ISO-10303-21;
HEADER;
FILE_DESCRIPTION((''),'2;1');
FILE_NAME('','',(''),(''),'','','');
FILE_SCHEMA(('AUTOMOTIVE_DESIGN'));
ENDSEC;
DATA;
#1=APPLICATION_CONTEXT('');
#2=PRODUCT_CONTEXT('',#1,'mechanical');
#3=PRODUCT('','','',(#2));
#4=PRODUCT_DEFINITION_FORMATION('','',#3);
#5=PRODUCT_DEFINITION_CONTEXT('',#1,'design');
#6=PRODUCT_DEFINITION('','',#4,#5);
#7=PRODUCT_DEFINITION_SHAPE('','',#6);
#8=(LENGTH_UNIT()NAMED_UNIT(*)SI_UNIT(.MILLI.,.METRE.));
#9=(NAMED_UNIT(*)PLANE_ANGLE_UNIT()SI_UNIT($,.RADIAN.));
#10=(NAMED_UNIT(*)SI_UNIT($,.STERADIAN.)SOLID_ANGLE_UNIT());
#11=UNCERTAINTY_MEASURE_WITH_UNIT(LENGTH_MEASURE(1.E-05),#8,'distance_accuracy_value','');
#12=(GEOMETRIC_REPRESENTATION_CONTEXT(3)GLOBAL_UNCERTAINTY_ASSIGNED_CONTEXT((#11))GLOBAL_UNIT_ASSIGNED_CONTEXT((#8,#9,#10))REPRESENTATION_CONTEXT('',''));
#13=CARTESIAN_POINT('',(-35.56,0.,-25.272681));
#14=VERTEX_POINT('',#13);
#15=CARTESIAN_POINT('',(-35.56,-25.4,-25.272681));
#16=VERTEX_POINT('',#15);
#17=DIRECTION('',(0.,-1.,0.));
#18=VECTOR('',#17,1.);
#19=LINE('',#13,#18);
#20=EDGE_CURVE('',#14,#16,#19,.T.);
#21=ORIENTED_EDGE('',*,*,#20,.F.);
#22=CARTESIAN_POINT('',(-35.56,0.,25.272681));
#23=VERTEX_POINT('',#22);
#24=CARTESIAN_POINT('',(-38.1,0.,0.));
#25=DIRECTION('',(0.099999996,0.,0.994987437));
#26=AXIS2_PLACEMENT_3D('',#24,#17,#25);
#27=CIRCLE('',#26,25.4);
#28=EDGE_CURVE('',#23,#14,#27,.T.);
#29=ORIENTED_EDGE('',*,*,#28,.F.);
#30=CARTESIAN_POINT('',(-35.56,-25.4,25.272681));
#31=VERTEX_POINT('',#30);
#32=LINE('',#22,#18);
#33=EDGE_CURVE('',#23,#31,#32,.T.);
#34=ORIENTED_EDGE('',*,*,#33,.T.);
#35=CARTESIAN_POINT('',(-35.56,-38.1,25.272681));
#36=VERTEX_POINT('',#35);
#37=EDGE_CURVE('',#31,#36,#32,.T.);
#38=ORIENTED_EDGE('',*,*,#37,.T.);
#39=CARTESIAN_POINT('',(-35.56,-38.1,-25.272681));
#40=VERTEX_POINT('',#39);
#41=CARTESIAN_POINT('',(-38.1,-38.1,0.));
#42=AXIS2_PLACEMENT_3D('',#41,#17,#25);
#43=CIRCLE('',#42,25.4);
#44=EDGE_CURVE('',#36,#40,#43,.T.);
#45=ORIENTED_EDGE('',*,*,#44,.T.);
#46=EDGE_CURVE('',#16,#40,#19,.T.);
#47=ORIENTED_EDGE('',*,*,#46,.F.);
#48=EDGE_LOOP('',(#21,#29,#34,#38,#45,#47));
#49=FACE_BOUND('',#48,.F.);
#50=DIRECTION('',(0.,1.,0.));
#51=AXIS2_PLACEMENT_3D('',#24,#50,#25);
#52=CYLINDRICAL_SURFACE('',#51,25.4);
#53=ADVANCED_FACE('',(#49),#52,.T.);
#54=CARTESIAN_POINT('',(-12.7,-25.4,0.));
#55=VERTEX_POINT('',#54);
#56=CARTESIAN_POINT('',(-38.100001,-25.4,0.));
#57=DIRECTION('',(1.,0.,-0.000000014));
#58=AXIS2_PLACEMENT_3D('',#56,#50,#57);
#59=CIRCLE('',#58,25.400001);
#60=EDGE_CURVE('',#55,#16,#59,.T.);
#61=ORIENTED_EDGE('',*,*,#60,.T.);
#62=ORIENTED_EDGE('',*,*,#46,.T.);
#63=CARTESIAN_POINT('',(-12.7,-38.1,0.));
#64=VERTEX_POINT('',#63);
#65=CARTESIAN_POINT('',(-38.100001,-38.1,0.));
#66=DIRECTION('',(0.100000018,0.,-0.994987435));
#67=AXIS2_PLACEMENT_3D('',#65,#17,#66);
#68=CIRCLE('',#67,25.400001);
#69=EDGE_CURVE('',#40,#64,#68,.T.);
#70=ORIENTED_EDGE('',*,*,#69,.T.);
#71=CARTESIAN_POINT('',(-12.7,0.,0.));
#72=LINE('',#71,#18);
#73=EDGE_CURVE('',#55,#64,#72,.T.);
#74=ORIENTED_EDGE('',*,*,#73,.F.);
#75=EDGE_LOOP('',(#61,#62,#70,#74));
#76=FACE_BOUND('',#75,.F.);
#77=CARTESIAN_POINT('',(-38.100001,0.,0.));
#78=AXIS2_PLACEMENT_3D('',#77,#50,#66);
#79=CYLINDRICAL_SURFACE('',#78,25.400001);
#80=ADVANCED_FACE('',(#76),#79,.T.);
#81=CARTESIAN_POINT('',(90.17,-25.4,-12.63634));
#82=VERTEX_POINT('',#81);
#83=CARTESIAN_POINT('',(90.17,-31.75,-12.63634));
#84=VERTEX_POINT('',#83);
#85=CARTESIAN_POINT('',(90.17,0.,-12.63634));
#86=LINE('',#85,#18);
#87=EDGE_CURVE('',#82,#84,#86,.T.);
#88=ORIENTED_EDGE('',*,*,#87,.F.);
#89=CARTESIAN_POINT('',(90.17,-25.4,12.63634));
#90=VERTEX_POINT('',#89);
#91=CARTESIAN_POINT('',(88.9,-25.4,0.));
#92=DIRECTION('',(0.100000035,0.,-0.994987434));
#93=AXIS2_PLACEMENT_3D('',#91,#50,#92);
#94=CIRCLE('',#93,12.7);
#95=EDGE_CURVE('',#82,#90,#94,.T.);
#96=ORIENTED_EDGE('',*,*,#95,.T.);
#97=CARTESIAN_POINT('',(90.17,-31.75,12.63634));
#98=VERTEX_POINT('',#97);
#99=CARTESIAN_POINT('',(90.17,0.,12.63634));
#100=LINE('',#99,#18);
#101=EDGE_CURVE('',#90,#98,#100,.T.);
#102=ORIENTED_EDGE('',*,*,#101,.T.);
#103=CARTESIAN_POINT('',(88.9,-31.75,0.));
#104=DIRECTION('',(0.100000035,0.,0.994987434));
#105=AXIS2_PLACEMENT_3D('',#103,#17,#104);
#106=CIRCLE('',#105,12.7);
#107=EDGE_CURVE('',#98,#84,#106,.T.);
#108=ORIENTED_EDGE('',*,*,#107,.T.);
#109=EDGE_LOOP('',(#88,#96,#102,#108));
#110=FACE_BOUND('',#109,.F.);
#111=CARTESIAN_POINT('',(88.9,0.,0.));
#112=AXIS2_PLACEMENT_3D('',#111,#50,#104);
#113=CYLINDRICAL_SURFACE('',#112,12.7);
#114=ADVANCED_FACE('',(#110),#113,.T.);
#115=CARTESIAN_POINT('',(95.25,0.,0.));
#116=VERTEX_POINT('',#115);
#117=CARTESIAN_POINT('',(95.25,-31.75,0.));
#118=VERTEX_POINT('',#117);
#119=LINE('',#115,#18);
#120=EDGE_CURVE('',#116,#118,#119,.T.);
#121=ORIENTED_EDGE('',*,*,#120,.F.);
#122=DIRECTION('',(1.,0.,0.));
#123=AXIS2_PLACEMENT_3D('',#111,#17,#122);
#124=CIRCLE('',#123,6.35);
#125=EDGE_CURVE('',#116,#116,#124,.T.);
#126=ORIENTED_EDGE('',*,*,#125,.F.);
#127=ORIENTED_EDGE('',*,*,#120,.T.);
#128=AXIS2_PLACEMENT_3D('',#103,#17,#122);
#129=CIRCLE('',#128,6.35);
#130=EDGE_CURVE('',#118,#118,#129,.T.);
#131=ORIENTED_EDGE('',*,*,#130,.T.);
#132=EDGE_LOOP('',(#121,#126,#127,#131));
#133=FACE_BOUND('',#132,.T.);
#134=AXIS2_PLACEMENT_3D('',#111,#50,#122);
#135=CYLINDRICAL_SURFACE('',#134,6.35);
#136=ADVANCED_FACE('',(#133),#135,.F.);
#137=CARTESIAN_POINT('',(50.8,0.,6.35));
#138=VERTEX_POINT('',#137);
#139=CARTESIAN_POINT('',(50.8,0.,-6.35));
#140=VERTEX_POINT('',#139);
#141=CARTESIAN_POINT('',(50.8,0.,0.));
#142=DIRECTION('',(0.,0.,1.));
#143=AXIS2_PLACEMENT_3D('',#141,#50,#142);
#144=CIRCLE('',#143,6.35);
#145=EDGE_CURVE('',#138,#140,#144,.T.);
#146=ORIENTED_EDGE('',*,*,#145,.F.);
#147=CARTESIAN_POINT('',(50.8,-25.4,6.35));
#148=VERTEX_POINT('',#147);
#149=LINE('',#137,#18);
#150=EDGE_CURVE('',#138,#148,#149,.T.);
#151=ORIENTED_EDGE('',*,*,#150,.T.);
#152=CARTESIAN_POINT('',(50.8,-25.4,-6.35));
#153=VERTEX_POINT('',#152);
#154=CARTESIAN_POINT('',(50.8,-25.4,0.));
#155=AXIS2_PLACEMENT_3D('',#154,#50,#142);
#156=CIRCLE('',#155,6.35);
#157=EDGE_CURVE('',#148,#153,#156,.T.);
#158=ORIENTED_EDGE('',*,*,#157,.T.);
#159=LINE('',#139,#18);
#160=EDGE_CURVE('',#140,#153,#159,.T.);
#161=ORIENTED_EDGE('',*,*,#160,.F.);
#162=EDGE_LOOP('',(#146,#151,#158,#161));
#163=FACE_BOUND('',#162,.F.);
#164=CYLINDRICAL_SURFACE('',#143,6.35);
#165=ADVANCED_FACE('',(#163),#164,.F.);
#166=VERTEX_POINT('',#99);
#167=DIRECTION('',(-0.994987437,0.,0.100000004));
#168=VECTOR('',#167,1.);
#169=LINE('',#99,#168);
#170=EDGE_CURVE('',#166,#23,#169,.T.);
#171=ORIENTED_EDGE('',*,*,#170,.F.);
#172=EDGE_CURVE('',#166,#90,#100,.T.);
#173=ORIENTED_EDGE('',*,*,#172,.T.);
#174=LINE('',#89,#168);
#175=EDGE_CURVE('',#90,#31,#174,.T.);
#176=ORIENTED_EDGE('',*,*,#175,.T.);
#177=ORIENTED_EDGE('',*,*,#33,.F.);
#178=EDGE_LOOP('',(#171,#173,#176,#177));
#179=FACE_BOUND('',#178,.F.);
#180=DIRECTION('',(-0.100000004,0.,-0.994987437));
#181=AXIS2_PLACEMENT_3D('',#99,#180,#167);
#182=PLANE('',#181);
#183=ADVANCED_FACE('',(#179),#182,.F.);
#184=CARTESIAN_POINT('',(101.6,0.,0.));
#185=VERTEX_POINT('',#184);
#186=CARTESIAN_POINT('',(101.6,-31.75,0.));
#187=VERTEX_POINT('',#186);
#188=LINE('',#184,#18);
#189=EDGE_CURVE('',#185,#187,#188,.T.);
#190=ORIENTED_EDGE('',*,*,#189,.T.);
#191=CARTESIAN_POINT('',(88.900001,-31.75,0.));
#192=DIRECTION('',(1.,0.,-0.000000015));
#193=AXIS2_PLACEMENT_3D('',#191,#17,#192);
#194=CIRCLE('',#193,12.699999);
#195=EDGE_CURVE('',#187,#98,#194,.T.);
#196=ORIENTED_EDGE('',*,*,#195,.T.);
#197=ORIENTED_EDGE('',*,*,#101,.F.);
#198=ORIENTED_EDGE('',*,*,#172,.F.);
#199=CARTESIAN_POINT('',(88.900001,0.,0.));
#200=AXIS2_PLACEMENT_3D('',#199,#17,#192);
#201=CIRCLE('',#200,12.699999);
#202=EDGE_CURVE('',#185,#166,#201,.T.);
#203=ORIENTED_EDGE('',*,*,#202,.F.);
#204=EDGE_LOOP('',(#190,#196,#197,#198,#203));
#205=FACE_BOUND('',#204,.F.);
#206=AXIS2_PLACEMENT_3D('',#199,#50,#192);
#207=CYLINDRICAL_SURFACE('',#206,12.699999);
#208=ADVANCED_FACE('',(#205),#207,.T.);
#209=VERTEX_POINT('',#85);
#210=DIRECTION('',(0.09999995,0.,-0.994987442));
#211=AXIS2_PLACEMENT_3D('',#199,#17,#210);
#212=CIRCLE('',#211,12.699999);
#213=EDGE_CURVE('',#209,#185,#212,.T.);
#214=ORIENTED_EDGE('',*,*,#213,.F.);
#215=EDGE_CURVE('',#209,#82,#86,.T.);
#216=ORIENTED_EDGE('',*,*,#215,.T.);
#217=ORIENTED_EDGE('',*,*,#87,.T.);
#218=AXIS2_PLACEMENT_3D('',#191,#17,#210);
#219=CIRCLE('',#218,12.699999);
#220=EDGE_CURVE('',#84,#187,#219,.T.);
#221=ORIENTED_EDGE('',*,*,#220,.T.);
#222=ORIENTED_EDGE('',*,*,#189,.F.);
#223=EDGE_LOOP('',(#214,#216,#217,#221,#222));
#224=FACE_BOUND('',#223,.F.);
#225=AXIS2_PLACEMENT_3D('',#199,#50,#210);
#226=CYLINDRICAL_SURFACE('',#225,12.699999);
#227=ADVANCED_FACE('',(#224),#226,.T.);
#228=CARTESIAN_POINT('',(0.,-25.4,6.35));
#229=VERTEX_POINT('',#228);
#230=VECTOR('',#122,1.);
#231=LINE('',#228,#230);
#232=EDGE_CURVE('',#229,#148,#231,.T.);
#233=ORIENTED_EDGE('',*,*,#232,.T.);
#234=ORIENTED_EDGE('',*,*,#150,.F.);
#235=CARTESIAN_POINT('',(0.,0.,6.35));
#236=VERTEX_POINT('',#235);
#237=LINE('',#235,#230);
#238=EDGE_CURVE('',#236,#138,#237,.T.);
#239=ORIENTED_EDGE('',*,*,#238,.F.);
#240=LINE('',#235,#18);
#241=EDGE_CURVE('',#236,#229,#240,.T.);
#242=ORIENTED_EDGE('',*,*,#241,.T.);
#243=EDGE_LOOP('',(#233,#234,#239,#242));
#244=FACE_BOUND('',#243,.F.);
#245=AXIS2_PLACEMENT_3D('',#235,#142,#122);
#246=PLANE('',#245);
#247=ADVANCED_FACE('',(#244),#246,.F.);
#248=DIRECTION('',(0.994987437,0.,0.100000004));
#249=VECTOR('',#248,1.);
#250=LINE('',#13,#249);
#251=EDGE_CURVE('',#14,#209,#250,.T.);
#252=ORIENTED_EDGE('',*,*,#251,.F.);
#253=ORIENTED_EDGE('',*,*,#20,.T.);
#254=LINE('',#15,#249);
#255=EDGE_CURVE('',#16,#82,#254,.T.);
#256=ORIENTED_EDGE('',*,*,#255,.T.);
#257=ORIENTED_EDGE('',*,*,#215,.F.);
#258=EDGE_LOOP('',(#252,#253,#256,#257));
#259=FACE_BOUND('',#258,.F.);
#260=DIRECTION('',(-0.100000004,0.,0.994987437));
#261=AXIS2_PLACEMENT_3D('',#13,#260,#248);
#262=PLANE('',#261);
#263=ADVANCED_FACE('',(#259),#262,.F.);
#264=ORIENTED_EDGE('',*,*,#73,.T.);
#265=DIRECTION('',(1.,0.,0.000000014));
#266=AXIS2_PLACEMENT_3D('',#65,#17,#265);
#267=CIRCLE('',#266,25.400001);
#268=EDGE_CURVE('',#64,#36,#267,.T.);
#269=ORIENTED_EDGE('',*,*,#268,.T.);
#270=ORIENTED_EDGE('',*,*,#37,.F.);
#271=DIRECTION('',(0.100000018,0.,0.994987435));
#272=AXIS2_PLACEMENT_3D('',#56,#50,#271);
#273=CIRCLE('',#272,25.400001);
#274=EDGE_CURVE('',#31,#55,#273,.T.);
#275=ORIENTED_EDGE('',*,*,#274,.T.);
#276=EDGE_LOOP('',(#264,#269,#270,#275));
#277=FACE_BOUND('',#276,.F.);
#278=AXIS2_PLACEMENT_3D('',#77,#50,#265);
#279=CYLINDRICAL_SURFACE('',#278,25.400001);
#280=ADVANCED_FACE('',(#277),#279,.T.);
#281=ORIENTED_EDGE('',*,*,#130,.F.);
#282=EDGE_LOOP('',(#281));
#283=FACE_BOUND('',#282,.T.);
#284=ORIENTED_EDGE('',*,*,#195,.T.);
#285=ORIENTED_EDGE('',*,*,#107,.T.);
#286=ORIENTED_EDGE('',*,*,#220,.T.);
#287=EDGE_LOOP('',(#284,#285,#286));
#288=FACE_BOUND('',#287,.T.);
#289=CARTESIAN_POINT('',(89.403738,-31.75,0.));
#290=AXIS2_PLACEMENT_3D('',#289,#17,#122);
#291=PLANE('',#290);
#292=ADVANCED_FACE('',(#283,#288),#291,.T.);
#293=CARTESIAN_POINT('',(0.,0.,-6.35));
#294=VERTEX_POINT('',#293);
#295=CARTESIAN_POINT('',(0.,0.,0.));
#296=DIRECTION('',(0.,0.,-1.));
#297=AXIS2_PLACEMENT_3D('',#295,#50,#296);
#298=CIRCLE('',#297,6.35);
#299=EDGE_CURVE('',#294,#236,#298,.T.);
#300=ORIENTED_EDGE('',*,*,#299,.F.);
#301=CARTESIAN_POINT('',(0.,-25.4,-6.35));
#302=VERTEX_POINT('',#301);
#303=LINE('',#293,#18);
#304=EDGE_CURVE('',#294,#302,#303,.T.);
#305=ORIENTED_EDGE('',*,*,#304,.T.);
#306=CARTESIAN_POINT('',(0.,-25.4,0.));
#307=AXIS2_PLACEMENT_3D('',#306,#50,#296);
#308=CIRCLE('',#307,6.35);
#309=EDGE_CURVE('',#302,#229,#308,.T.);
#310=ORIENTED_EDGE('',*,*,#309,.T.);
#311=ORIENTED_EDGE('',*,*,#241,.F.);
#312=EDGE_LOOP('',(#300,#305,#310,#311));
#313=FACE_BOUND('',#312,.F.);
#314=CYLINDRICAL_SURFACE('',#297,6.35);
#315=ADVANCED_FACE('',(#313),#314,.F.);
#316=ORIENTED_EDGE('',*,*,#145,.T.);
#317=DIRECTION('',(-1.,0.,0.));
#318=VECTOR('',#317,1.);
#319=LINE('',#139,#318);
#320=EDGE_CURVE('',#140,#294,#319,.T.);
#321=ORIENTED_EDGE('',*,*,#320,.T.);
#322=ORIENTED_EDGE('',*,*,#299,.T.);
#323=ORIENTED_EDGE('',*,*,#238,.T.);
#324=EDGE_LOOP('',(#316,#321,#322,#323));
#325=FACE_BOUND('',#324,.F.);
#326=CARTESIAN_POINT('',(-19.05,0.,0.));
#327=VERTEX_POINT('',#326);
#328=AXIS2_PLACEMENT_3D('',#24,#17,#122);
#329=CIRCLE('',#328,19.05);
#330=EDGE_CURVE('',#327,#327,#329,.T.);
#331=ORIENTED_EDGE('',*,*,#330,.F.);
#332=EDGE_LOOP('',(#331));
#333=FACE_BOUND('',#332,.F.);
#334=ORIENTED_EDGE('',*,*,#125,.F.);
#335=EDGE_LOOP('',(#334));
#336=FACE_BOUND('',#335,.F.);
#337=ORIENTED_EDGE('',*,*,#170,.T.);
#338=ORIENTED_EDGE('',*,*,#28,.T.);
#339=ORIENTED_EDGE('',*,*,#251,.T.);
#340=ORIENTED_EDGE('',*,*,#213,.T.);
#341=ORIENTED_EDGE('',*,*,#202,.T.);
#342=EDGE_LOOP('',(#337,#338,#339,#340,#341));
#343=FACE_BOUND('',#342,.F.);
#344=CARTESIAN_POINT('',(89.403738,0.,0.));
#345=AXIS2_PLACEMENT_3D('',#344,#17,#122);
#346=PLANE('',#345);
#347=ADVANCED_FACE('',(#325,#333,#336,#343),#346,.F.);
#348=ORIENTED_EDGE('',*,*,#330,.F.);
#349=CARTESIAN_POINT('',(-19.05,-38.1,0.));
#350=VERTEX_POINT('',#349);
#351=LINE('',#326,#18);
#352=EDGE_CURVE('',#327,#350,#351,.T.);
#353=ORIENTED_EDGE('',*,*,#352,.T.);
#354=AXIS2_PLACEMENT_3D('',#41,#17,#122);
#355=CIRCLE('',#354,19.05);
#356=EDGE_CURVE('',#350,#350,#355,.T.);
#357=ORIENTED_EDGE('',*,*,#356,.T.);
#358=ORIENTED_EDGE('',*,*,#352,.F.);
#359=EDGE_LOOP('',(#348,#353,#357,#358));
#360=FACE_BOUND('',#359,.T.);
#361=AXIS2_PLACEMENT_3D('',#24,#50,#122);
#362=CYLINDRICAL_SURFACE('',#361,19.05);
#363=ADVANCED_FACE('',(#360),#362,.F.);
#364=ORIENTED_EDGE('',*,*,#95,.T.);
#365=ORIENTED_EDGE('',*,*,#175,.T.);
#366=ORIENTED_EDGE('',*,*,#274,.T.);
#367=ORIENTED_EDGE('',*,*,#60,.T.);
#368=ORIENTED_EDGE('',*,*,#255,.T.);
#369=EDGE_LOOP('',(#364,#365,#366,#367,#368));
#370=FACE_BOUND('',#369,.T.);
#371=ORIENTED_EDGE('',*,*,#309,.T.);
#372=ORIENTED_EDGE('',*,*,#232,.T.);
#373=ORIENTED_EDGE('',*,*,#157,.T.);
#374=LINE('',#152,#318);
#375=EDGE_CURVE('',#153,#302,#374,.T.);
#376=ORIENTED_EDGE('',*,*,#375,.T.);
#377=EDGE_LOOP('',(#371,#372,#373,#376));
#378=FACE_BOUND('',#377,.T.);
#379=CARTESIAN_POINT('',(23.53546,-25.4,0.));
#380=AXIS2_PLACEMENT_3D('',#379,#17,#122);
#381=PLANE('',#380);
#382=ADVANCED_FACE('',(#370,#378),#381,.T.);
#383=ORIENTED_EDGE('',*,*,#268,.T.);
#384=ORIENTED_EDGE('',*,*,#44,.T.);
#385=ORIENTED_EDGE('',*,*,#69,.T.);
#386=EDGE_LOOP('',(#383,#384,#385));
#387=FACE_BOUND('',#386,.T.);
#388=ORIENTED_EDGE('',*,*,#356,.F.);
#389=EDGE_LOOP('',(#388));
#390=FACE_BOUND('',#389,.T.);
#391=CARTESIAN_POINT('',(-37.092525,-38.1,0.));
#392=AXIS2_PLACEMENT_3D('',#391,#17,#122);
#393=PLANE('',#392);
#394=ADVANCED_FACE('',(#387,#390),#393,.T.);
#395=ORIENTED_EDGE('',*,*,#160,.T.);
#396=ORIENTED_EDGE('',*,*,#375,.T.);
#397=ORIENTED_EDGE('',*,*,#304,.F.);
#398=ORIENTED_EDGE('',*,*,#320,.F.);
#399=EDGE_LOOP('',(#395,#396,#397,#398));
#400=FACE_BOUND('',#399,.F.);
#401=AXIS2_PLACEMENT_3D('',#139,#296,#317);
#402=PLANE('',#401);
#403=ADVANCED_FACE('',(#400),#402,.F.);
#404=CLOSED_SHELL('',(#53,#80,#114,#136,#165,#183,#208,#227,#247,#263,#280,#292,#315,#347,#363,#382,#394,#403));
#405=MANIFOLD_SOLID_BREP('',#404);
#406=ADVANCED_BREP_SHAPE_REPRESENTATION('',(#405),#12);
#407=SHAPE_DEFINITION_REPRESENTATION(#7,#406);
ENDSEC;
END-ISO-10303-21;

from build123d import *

# Parameters (mm, degrees)
F0_R     = 19.05
F1_DEPTH = 38.1
F2_DEPTH = 25.4
F0_R_2   = 6.35
F3_DEPTH = 31.75


with BuildPart() as f1:
    # F0 (on Front) → F1 (new body)
    with BuildSketch(Plane.XZ):
        with BuildLine():
            ThreePointArc((-35.56, -25.272681), (-19.262856, -17.038838), (-12.7, 0))
            ThreePointArc((-12.7, 0), (-19.262856, 17.038838), (-35.56, 25.272681))
            ThreePointArc((-35.56, 25.272681), (-63.5, 0), (-35.56, -25.272681))
        make_face()
        with Locations((-38.1, 0)):
            Circle(F0_R, mode=Mode.SUBTRACT)
    extrude(amount=F1_DEPTH)

    # F0 (on Front) → F2 (join)
    with BuildSketch(Plane.XZ):
        with BuildLine():
            ThreePointArc((-35.56, 25.272681), (-19.262856, 17.038838), (-12.7, 0))
            ThreePointArc((-12.7, 0), (-19.262856, -17.038838), (-35.56, -25.272681))
            Line((-35.56, -25.272681), (90.17, -12.63634))
            ThreePointArc((90.17, -12.63634), (76.2, 0), (90.17, 12.63634))
            Line((90.17, 12.63634), (-35.56, 25.272681))
        make_face()
        with BuildLine():
            ThreePointArc((0, -6.35), (-6.35, 0), (0, 6.35))
            Line((0, 6.35), (50.8, 6.35))
            ThreePointArc((50.8, 6.35), (57.15, 0), (50.8, -6.35))
            Line((50.8, -6.35), (0, -6.35))
        make_face(mode=Mode.SUBTRACT)
    extrude(amount=F2_DEPTH)

    # F0 (on Front) → F3 (join)
    with BuildSketch(Plane.XZ):
        with BuildLine():
            ThreePointArc((101.6, 0), (98.318572, 8.519419), (90.17, 12.63634))
            ThreePointArc((90.17, 12.63634), (76.2, 0), (90.17, -12.63634))
            ThreePointArc((90.17, -12.63634), (98.318572, -8.519419), (101.6, 0))
        make_face()
        with Locations((88.9, 0)):
            Circle(F0_R_2, mode=Mode.SUBTRACT)
    extrude(amount=F3_DEPTH)


solid = f1.part
